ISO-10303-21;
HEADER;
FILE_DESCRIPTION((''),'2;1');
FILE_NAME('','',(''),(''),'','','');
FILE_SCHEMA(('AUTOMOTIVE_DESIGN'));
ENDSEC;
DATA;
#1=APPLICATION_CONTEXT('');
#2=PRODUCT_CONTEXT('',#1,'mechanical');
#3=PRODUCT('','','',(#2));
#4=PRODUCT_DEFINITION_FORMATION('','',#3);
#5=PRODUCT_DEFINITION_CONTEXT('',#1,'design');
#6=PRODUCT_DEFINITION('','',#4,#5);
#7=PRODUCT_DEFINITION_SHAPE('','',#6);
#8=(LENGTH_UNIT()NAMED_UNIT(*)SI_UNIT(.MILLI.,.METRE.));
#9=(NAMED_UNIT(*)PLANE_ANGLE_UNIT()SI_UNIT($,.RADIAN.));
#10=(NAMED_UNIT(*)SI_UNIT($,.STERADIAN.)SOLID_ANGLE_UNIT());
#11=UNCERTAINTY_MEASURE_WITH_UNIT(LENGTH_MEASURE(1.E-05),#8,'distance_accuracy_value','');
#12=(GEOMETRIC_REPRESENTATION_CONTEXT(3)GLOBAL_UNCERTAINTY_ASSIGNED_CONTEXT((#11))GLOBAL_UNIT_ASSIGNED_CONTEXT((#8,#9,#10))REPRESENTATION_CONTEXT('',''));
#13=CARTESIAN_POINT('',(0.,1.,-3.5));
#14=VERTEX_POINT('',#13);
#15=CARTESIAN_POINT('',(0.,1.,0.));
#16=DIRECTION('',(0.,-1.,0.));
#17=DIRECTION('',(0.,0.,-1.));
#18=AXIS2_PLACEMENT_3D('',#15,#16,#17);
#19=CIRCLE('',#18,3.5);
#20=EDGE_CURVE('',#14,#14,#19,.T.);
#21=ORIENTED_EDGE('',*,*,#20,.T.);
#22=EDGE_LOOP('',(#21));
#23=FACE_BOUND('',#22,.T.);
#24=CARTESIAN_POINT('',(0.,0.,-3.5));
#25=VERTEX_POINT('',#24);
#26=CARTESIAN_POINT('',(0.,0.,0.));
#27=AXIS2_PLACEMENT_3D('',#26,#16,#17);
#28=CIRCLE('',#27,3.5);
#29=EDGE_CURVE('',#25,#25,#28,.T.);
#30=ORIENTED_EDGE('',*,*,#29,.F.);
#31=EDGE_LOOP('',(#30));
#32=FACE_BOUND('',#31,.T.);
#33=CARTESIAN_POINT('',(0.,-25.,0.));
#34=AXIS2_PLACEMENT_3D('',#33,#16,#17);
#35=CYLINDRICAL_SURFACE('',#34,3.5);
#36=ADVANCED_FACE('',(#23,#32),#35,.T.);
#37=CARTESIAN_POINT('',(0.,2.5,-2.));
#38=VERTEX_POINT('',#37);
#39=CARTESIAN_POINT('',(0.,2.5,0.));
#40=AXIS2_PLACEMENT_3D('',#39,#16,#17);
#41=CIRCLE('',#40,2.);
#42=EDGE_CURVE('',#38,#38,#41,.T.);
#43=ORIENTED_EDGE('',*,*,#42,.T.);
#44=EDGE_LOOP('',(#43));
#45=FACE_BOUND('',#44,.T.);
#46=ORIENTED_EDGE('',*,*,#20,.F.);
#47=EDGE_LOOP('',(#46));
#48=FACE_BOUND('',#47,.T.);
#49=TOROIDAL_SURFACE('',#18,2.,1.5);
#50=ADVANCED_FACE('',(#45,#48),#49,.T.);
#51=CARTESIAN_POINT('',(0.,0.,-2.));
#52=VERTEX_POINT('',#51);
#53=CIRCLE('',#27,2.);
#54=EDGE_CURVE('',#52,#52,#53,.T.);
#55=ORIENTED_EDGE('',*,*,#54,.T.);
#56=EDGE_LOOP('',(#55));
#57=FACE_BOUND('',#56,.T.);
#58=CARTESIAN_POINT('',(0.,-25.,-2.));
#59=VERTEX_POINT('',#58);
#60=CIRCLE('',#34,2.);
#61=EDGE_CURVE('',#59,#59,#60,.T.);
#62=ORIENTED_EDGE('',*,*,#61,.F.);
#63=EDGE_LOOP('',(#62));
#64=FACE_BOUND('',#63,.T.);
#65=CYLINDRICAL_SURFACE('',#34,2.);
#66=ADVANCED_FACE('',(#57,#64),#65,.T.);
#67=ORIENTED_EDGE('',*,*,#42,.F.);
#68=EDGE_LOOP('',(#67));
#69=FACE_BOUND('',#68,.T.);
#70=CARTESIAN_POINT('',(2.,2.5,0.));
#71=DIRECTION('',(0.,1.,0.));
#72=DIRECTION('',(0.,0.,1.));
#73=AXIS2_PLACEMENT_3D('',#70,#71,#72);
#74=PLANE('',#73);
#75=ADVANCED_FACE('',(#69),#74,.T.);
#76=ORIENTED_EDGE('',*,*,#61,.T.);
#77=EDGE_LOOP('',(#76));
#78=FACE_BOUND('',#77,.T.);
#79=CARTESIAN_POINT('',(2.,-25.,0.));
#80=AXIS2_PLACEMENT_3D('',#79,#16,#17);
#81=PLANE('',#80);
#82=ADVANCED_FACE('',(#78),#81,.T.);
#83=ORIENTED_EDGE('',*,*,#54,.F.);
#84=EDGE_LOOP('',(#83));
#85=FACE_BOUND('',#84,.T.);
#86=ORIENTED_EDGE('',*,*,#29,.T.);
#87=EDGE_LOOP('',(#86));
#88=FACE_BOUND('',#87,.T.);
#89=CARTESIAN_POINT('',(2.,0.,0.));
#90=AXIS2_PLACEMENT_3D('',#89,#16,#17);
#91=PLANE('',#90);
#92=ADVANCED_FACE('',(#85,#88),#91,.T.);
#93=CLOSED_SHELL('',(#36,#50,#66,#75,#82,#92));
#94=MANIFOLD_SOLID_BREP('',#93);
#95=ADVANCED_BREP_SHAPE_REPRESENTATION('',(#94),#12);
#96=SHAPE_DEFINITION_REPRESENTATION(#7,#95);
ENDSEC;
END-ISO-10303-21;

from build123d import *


with BuildPart() as part:
    # Sketch1 → Revolve1 (revolve)
    with BuildSketch(Plane.XY):
        with BuildLine():
            Line((2, 0), (3.5, 0))
            Line((3.5, 0), (3.5, 1))
            ThreePointArc((3.5, 1), (3.060660172, 2.060660172), (2, 2.5))
            Line((2, 2.5), (0, 2.5))
            Line((0, 2.5), (0, -25))
            Line((0, -25), (2, -25))
            Line((2, -25), (2, 0))
        make_face()
    revolve(axis=Axis((0, -25, 0), (0, 1, 0)))


solid = part.part
